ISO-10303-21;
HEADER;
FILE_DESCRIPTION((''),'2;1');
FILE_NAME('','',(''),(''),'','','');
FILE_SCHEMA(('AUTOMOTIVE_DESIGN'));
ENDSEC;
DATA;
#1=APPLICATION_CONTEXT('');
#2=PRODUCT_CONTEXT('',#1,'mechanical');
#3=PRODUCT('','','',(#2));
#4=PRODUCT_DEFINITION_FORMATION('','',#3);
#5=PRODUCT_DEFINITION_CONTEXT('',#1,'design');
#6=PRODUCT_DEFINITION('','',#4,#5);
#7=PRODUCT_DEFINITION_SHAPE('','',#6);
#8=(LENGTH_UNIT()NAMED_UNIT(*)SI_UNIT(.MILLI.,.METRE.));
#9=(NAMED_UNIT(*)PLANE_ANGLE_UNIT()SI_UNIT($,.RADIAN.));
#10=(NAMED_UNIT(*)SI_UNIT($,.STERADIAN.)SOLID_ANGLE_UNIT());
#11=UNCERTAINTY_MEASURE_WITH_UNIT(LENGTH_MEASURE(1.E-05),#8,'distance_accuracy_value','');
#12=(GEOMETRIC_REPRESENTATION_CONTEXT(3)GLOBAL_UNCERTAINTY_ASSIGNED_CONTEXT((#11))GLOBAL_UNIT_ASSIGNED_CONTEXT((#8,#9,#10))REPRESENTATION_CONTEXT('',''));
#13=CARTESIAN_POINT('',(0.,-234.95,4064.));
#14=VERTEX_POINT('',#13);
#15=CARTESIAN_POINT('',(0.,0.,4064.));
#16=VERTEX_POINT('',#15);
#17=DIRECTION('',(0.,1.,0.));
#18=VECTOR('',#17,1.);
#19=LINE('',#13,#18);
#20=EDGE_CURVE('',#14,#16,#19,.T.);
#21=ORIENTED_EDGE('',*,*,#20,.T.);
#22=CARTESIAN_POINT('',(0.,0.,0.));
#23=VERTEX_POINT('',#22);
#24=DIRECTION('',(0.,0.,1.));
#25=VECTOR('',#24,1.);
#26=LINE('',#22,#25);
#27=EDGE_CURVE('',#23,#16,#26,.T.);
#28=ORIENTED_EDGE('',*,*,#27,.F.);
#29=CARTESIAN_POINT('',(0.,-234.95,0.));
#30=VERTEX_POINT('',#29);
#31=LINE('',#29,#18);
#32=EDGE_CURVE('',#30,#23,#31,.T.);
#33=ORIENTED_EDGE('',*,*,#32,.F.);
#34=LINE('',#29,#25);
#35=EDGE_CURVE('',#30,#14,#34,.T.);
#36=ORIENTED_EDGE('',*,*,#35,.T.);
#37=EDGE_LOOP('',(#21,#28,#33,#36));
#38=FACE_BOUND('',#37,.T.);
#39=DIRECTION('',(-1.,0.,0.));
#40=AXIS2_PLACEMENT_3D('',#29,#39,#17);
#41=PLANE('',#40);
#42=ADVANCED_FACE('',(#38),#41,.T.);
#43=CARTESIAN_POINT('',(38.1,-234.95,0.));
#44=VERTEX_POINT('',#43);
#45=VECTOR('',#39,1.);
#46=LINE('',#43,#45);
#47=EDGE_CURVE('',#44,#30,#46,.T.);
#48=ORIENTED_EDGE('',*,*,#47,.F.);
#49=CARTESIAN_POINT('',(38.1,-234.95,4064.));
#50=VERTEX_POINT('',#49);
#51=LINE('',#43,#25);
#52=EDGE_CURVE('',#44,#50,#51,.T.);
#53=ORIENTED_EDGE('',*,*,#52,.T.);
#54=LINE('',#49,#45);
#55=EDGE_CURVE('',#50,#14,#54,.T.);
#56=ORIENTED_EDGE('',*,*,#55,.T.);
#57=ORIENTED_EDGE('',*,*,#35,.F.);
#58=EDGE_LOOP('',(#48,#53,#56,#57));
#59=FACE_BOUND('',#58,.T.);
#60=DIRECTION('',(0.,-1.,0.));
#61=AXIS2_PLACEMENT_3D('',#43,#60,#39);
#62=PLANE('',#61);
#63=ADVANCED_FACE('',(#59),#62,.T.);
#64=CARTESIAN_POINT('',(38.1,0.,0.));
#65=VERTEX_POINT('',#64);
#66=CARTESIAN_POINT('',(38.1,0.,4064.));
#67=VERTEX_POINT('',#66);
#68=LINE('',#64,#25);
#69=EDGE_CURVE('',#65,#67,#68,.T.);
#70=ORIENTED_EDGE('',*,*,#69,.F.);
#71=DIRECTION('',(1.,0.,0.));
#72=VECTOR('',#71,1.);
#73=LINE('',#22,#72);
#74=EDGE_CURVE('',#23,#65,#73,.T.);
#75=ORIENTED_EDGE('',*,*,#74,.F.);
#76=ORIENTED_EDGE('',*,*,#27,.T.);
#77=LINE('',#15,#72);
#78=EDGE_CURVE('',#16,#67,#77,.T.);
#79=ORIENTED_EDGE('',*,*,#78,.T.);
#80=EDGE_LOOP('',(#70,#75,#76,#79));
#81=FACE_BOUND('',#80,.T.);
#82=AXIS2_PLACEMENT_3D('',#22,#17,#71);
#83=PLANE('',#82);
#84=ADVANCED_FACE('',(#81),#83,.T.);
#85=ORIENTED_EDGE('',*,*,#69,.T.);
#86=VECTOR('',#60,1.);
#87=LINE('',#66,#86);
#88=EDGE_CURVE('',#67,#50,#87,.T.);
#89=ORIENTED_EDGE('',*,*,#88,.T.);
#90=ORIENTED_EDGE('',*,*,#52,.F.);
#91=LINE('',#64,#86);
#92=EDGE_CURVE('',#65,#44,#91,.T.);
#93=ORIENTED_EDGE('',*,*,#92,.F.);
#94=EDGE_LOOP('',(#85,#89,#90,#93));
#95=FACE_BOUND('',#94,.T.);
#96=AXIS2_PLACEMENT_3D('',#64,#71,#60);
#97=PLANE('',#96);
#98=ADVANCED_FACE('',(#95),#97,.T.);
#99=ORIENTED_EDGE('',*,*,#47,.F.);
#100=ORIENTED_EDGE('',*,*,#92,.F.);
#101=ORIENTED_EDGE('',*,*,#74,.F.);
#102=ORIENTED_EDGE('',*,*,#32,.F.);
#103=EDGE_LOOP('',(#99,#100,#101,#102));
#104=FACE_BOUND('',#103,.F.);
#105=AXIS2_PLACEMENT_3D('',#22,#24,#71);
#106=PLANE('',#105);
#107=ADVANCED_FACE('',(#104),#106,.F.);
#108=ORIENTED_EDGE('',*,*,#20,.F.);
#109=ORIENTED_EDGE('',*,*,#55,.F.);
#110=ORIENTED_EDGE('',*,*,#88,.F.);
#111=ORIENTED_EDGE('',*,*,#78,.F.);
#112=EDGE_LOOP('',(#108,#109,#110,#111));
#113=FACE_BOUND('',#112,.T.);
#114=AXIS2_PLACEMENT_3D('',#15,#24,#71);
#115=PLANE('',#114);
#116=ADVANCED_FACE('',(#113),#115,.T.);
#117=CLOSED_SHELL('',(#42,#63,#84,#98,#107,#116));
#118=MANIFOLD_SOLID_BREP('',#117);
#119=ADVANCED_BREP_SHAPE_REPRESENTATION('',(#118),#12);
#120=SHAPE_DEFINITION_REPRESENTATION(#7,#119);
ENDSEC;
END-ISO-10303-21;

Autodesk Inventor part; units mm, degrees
ref_plane "YZ Plane" through (0, 0, 0) normal (1, 0, 0) x (0, 1, 0)
ref_plane "XZ Plane" through (0, 0, 0) normal (0, 1, 0) x (-1, 0, 0)
ref_plane "XY Plane" through (0, 0, 0) normal (0, 0, 1) x (1, 0, 0)
sketch "Sketch1" plane through (0, 0, 0) normal (0, 0, 1) x (1, 0, 0)
  line L0 (0, 0) -> (38.1, 0)
  line L1 (38.1, 0) -> (38.1, -234.95)
  line L2 (38.1, -234.95) -> (0, -234.95)
  line L3 (0, -234.95) -> (0, 0)
  dimension "d0" = 234.95
  dimension "d1" = 38.1
extrude "Extrusion1" add sketch "Sketch1" along normal blind 4064
properties part number "Ledger Board" material "Wood (Birch)"
